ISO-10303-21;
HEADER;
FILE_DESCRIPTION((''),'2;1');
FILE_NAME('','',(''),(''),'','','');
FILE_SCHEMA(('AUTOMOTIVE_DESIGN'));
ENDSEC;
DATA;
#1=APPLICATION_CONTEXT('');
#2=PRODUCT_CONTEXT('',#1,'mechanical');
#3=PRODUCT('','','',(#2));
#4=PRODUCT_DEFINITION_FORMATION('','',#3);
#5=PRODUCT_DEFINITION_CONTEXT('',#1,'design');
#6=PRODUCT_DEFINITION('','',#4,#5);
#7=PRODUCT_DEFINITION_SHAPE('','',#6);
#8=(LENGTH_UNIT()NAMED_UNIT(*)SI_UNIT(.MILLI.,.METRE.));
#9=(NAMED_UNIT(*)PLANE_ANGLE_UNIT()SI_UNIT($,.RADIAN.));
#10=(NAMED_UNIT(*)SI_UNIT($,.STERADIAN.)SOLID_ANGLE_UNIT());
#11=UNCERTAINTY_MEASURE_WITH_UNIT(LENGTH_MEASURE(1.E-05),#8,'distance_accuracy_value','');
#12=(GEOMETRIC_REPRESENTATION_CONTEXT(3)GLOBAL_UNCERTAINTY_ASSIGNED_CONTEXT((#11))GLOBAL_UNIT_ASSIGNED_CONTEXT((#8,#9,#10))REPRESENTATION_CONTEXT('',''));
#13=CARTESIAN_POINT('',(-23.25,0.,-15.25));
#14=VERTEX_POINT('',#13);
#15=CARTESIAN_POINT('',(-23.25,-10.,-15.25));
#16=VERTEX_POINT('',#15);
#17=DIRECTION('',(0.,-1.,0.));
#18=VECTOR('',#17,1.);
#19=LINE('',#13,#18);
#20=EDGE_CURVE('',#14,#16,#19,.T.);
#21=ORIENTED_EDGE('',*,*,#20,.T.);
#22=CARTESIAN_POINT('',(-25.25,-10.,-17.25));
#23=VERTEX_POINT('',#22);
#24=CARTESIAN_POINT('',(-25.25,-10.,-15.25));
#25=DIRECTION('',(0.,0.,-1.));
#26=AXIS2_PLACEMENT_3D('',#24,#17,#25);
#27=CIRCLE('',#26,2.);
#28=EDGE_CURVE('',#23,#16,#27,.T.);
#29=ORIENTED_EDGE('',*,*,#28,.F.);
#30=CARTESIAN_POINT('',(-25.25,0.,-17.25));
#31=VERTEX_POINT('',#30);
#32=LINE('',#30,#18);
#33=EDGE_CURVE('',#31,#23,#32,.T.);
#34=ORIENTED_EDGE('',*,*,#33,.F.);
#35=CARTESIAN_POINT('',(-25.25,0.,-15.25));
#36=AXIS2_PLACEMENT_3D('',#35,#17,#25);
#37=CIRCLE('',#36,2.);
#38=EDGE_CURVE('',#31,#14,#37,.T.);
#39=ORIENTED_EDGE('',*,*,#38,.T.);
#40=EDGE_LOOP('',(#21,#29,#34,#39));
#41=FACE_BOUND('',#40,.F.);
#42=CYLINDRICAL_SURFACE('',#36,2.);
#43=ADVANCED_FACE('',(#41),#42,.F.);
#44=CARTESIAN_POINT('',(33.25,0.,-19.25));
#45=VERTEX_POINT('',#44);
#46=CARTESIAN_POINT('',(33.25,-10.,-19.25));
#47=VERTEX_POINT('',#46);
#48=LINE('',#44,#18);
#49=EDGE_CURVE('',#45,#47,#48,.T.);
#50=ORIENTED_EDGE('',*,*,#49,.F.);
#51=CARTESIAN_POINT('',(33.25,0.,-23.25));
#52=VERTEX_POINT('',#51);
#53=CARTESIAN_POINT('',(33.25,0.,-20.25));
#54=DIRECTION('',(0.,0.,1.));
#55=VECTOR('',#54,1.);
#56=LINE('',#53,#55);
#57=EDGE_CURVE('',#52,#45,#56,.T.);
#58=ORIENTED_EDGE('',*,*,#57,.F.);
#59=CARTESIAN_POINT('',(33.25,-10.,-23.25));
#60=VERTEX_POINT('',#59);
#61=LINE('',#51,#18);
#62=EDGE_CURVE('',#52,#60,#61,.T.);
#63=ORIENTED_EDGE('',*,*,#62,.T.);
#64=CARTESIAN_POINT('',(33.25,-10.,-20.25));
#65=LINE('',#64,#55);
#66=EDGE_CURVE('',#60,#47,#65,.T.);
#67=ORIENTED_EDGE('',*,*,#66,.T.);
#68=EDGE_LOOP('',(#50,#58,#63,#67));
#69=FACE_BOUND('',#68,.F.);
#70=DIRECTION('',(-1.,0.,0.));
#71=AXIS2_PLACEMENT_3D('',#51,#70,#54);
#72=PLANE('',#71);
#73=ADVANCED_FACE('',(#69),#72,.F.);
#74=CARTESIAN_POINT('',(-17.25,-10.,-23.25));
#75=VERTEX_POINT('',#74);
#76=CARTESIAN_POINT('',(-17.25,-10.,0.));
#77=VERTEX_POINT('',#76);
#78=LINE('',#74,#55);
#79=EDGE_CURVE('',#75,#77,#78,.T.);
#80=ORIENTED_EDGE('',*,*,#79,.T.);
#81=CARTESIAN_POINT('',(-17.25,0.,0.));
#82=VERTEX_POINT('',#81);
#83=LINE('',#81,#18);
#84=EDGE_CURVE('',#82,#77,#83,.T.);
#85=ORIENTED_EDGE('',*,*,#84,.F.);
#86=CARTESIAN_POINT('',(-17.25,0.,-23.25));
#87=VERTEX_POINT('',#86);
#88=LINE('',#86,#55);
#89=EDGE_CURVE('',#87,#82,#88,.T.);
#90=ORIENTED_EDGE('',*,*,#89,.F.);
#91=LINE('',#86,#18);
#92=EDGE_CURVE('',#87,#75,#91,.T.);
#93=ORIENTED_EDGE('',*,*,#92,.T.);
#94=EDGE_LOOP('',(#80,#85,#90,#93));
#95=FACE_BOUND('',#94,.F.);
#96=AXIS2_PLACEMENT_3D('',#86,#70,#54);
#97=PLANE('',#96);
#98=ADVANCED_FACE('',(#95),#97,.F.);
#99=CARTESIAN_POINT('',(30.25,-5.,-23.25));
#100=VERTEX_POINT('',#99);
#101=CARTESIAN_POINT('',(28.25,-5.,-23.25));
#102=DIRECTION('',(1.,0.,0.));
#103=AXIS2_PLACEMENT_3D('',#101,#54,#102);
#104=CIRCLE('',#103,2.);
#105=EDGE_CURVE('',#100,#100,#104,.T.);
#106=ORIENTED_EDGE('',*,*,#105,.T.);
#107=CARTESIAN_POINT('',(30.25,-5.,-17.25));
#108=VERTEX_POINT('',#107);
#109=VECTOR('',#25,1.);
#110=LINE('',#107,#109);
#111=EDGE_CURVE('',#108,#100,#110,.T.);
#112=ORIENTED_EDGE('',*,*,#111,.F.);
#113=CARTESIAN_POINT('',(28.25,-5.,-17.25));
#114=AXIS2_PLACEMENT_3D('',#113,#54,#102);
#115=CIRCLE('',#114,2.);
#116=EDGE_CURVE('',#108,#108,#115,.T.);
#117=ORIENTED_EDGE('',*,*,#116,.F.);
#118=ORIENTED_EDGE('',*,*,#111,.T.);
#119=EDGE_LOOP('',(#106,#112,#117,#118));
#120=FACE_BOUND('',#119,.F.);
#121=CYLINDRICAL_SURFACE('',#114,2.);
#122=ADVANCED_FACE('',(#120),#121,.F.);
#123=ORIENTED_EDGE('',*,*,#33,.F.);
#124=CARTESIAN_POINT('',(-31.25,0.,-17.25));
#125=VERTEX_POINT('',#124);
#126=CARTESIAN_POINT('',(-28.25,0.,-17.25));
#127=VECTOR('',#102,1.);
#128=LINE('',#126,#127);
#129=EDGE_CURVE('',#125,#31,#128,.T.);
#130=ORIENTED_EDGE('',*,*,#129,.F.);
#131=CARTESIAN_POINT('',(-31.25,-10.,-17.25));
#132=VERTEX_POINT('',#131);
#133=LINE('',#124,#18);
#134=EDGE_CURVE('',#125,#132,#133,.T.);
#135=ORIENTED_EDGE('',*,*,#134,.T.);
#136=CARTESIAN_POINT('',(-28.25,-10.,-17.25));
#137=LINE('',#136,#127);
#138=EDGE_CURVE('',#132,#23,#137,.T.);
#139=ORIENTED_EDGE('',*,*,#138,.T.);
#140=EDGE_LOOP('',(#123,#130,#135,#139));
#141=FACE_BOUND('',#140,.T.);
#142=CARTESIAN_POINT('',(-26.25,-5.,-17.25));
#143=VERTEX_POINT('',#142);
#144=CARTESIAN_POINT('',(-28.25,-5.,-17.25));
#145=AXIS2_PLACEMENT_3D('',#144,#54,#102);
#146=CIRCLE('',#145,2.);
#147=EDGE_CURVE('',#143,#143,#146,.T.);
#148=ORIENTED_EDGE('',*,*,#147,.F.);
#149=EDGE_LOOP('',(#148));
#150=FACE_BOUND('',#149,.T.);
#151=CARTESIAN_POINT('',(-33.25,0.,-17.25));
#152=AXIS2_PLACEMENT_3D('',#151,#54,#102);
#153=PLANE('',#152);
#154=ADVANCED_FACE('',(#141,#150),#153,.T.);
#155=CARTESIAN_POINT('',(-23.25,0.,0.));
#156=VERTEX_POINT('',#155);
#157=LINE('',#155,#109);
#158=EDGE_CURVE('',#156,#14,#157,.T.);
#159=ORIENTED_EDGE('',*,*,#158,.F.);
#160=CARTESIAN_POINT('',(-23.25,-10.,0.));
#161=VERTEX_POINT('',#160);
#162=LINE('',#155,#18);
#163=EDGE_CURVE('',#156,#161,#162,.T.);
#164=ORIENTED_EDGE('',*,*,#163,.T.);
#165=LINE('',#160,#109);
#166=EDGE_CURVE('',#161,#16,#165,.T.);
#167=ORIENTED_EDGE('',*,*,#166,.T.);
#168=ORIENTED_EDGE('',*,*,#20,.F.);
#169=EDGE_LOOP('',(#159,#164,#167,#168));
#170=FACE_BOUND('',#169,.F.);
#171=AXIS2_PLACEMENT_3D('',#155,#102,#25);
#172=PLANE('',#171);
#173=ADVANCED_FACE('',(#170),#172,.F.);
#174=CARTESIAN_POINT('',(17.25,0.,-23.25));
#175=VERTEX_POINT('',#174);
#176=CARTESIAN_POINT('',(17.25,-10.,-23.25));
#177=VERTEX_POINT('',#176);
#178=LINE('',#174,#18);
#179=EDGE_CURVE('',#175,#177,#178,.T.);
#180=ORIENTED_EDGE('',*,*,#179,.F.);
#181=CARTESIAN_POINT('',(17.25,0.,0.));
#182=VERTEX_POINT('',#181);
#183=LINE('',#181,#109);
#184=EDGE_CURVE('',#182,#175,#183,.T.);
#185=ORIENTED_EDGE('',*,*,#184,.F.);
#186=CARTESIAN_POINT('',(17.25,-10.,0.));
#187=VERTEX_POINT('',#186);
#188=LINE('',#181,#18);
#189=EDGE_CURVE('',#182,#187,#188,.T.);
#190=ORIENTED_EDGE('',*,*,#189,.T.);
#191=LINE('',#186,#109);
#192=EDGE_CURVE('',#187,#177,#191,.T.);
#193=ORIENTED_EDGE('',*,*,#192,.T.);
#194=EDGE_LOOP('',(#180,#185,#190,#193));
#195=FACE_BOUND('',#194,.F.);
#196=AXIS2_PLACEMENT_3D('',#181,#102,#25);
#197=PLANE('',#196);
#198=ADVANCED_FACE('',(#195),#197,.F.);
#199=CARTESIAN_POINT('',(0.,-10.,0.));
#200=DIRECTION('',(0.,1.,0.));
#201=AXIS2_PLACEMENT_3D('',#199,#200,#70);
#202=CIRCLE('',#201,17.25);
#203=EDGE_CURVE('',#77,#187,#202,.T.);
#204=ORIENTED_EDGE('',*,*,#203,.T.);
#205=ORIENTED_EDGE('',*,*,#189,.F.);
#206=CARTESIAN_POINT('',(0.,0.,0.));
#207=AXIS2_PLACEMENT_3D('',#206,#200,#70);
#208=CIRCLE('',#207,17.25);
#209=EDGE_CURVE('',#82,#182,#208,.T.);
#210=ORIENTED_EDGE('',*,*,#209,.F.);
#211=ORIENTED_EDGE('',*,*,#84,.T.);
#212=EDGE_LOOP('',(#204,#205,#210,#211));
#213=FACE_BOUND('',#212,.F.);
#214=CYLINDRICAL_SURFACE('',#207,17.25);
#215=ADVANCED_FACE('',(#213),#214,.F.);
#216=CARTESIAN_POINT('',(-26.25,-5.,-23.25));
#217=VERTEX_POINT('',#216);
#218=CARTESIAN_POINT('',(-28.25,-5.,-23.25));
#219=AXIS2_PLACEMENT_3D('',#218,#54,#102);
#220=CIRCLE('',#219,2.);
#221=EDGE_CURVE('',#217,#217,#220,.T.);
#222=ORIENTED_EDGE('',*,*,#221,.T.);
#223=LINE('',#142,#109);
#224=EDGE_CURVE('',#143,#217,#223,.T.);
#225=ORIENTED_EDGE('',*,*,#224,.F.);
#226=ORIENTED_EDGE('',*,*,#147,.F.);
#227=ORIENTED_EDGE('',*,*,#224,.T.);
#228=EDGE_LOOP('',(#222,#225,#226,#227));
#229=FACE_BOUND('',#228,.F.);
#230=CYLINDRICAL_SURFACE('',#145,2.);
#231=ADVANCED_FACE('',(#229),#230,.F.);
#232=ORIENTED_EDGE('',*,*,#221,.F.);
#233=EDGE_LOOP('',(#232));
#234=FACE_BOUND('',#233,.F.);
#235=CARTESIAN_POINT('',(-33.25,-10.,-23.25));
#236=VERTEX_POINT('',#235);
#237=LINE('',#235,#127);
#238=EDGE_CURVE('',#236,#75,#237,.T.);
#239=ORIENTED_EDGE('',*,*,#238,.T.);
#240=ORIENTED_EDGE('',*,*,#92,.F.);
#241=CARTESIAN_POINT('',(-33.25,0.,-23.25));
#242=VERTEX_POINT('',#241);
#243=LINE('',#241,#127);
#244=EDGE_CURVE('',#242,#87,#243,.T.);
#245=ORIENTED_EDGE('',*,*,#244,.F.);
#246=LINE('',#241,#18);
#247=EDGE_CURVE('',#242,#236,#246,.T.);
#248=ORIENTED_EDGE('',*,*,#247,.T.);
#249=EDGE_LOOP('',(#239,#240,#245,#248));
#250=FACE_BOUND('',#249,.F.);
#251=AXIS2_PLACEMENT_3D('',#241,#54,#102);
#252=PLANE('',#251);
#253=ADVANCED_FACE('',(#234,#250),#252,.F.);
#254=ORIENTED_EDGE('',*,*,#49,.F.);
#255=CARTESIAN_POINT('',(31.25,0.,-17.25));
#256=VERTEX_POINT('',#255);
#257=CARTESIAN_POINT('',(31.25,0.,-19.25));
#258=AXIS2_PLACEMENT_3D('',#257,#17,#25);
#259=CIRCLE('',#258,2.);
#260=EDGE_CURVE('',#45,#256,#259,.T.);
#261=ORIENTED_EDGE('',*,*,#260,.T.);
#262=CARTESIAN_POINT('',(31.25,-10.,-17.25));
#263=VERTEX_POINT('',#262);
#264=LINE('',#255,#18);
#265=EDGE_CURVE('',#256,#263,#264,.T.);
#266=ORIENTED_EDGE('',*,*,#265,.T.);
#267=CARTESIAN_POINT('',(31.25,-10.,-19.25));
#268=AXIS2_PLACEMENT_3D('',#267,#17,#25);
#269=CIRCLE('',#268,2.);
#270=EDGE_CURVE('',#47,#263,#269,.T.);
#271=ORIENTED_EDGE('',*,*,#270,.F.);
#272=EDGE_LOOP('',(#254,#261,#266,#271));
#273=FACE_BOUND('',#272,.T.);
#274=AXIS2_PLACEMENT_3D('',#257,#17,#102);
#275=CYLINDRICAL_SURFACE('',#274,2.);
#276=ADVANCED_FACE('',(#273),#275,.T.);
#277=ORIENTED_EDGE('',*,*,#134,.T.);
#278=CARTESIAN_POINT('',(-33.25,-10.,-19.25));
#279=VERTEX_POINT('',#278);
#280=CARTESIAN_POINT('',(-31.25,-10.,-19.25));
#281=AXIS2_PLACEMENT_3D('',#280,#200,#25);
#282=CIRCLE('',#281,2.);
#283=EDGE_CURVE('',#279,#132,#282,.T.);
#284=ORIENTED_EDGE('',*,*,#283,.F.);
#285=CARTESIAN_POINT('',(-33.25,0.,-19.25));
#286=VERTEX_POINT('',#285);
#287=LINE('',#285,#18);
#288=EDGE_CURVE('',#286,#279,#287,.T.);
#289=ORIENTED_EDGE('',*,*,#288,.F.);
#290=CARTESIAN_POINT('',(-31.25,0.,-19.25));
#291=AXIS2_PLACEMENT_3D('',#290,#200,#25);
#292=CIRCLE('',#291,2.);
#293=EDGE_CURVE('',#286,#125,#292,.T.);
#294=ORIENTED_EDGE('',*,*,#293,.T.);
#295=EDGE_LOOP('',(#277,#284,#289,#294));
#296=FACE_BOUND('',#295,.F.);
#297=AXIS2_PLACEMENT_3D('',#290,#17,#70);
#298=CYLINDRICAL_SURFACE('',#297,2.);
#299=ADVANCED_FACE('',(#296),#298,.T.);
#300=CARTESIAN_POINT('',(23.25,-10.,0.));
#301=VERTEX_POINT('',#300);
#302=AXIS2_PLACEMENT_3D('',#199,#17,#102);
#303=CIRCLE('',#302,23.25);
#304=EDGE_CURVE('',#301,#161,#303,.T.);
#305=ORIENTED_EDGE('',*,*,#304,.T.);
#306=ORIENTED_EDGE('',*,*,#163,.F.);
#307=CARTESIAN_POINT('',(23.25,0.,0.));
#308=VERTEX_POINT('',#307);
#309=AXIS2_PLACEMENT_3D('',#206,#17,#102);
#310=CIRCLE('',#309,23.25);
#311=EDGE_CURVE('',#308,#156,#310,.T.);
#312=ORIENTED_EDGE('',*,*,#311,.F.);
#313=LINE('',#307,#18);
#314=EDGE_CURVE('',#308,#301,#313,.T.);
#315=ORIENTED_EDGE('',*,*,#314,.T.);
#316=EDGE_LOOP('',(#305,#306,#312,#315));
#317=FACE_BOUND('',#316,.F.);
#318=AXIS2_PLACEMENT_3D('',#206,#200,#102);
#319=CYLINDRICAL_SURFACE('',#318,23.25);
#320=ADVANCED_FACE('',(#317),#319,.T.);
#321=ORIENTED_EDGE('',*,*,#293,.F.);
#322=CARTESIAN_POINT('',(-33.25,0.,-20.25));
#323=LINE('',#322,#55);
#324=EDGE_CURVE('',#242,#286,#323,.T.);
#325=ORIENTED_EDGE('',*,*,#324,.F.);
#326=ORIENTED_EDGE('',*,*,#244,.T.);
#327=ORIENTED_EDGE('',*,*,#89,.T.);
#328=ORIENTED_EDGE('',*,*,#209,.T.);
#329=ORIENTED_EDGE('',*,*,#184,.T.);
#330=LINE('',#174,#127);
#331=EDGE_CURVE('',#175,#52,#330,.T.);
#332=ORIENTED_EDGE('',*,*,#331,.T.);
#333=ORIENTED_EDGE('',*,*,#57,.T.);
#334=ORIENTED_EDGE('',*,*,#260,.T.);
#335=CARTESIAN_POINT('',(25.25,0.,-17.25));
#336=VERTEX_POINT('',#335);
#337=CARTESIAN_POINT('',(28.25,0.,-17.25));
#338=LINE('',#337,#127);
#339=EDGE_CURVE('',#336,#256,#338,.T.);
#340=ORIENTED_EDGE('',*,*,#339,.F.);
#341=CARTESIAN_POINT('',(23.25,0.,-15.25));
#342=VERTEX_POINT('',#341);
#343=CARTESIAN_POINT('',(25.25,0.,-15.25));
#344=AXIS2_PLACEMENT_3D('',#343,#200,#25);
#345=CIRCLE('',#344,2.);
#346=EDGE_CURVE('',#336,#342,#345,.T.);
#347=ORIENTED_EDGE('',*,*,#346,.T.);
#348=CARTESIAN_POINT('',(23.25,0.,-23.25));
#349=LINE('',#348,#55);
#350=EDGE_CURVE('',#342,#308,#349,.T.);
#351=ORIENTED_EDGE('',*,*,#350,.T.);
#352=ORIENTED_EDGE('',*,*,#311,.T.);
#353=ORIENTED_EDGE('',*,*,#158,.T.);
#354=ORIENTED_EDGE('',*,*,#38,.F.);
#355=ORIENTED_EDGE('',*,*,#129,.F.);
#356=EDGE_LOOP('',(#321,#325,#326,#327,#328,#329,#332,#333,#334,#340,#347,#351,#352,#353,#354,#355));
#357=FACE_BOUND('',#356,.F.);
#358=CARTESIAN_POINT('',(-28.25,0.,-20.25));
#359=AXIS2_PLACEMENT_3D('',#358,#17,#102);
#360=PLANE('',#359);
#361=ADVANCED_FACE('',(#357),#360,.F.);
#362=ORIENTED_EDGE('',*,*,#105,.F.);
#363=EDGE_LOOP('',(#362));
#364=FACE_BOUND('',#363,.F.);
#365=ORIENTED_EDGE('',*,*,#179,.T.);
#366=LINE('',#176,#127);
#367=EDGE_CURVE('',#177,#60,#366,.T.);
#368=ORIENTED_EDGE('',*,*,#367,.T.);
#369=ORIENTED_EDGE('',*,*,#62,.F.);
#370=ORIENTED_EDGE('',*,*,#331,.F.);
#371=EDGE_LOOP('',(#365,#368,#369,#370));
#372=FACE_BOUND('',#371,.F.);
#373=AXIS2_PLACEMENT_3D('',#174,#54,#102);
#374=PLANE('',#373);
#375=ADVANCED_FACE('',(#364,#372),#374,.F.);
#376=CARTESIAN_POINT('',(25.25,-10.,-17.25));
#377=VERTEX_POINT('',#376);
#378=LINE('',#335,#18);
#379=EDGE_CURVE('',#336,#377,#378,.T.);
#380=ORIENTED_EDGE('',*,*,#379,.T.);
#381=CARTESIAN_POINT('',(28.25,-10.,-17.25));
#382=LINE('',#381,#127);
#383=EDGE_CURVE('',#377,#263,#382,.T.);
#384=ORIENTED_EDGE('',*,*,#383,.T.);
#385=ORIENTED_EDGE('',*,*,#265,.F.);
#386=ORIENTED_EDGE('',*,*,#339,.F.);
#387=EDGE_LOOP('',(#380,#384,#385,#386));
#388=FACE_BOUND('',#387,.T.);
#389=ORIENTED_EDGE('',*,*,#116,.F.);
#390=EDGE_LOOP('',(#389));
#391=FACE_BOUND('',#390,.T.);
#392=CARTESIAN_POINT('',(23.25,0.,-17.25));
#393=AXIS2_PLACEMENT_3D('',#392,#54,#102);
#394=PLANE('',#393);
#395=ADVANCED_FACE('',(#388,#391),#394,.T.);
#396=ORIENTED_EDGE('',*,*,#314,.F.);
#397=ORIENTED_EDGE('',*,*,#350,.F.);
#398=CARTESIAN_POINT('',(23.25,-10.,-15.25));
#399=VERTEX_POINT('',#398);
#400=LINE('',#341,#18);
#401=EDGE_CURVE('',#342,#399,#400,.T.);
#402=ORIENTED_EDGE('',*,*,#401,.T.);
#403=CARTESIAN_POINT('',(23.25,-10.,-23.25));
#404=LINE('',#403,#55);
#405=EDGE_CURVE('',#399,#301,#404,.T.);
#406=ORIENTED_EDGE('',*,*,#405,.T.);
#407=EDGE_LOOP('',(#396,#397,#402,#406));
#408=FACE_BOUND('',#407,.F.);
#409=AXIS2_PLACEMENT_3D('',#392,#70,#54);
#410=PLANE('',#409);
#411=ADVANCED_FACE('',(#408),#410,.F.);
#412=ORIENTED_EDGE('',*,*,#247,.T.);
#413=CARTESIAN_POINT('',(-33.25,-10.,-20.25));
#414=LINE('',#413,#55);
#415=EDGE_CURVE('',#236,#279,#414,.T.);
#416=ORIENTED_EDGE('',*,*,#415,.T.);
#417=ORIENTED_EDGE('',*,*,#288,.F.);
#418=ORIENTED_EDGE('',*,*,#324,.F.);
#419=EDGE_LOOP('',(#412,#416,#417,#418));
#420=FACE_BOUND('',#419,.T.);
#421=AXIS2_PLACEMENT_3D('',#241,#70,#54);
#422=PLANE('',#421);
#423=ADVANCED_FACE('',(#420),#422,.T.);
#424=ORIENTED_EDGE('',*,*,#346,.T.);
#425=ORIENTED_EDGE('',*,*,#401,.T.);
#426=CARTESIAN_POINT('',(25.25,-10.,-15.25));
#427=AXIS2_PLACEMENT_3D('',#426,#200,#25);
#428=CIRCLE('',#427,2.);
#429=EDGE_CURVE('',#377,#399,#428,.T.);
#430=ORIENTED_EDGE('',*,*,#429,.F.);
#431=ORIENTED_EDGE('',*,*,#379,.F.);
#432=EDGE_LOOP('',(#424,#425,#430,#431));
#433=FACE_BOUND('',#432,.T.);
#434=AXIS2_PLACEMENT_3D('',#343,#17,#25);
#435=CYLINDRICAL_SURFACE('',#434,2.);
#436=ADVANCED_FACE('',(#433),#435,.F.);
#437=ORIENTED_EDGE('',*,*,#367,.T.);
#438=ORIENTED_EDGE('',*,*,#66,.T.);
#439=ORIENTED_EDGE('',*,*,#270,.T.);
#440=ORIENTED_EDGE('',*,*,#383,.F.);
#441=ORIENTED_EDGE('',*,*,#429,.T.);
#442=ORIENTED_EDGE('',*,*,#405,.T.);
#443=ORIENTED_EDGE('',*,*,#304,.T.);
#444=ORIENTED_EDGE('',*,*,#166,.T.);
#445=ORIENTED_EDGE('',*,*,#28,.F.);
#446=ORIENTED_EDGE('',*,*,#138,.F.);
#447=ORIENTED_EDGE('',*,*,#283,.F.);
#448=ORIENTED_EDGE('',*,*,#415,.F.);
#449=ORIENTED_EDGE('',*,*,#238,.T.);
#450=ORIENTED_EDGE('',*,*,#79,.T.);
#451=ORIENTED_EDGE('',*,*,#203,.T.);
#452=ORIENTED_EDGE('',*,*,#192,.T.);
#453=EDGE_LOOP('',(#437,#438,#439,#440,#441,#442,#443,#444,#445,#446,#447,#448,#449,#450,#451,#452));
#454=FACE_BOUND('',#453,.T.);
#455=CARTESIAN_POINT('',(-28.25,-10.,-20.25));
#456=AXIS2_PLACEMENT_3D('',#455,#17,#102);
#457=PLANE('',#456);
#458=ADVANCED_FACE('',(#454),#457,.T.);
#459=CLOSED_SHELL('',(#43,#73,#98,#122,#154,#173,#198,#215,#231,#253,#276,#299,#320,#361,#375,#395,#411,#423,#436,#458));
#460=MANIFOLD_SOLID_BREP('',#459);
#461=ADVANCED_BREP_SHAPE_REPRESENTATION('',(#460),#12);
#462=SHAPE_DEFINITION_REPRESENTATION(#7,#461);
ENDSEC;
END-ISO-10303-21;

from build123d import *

# Parameters (mm, degrees)
F0_W     = 10
F0_H     = 6
F1_DEPTH = 10
F2_R     = 2
F3_DEPTH = 6
F4_R     = 2


with BuildPart() as f1:
    # F0 (on Front) → F1 (new body)
    with BuildSketch(Plane.XZ):
        with Locations((-28.25, -20.25)):
            Rectangle(F0_W, F0_H)
        with Locations((28.25, -20.25)):
            Rectangle(F0_W, F0_H)
        with BuildLine():
            ThreePointArc((-17.25, 0), (0, 17.25), (17.25, 0))
            Line((17.25, 0), (17.25, -23.25))
            Line((17.25, -23.25), (23.25, -23.25))
            Line((23.25, -23.25), (23.25, -17.25))
            Line((23.25, -17.25), (23.25, 0))
            ThreePointArc((23.25, 0), (0, 23.25), (-23.25, 0))
            Line((-23.25, 0), (-23.25, -17.25))
            Line((-23.25, -17.25), (-23.25, -23.25))
            Line((-23.25, -23.25), (-17.25, -23.25))
            Line((-17.25, -23.25), (-17.25, 0))
        make_face()
    extrude(amount=F1_DEPTH)

    # F2 (on face) → F3 (cut, through all)
    with BuildSketch(Plane.XY.offset(-17.25)):
        with Locations((-28.25, -5)):
            Circle(F2_R)
        with Locations((28.25, -5)):
            Circle(F2_R)
    extrude(amount=-F3_DEPTH, mode=Mode.SUBTRACT)

    # F4
    f4_edges = [f1.edges().sort_by_distance(p)[0] for p in [
        (-23.25, -5, -17.25),
        (23.25, -5, -17.25),
        (33.25, -5, -17.25),
        (-33.25, -5, -17.25),
    ]]
    fillet(f4_edges, radius=F4_R)


solid = f1.part
